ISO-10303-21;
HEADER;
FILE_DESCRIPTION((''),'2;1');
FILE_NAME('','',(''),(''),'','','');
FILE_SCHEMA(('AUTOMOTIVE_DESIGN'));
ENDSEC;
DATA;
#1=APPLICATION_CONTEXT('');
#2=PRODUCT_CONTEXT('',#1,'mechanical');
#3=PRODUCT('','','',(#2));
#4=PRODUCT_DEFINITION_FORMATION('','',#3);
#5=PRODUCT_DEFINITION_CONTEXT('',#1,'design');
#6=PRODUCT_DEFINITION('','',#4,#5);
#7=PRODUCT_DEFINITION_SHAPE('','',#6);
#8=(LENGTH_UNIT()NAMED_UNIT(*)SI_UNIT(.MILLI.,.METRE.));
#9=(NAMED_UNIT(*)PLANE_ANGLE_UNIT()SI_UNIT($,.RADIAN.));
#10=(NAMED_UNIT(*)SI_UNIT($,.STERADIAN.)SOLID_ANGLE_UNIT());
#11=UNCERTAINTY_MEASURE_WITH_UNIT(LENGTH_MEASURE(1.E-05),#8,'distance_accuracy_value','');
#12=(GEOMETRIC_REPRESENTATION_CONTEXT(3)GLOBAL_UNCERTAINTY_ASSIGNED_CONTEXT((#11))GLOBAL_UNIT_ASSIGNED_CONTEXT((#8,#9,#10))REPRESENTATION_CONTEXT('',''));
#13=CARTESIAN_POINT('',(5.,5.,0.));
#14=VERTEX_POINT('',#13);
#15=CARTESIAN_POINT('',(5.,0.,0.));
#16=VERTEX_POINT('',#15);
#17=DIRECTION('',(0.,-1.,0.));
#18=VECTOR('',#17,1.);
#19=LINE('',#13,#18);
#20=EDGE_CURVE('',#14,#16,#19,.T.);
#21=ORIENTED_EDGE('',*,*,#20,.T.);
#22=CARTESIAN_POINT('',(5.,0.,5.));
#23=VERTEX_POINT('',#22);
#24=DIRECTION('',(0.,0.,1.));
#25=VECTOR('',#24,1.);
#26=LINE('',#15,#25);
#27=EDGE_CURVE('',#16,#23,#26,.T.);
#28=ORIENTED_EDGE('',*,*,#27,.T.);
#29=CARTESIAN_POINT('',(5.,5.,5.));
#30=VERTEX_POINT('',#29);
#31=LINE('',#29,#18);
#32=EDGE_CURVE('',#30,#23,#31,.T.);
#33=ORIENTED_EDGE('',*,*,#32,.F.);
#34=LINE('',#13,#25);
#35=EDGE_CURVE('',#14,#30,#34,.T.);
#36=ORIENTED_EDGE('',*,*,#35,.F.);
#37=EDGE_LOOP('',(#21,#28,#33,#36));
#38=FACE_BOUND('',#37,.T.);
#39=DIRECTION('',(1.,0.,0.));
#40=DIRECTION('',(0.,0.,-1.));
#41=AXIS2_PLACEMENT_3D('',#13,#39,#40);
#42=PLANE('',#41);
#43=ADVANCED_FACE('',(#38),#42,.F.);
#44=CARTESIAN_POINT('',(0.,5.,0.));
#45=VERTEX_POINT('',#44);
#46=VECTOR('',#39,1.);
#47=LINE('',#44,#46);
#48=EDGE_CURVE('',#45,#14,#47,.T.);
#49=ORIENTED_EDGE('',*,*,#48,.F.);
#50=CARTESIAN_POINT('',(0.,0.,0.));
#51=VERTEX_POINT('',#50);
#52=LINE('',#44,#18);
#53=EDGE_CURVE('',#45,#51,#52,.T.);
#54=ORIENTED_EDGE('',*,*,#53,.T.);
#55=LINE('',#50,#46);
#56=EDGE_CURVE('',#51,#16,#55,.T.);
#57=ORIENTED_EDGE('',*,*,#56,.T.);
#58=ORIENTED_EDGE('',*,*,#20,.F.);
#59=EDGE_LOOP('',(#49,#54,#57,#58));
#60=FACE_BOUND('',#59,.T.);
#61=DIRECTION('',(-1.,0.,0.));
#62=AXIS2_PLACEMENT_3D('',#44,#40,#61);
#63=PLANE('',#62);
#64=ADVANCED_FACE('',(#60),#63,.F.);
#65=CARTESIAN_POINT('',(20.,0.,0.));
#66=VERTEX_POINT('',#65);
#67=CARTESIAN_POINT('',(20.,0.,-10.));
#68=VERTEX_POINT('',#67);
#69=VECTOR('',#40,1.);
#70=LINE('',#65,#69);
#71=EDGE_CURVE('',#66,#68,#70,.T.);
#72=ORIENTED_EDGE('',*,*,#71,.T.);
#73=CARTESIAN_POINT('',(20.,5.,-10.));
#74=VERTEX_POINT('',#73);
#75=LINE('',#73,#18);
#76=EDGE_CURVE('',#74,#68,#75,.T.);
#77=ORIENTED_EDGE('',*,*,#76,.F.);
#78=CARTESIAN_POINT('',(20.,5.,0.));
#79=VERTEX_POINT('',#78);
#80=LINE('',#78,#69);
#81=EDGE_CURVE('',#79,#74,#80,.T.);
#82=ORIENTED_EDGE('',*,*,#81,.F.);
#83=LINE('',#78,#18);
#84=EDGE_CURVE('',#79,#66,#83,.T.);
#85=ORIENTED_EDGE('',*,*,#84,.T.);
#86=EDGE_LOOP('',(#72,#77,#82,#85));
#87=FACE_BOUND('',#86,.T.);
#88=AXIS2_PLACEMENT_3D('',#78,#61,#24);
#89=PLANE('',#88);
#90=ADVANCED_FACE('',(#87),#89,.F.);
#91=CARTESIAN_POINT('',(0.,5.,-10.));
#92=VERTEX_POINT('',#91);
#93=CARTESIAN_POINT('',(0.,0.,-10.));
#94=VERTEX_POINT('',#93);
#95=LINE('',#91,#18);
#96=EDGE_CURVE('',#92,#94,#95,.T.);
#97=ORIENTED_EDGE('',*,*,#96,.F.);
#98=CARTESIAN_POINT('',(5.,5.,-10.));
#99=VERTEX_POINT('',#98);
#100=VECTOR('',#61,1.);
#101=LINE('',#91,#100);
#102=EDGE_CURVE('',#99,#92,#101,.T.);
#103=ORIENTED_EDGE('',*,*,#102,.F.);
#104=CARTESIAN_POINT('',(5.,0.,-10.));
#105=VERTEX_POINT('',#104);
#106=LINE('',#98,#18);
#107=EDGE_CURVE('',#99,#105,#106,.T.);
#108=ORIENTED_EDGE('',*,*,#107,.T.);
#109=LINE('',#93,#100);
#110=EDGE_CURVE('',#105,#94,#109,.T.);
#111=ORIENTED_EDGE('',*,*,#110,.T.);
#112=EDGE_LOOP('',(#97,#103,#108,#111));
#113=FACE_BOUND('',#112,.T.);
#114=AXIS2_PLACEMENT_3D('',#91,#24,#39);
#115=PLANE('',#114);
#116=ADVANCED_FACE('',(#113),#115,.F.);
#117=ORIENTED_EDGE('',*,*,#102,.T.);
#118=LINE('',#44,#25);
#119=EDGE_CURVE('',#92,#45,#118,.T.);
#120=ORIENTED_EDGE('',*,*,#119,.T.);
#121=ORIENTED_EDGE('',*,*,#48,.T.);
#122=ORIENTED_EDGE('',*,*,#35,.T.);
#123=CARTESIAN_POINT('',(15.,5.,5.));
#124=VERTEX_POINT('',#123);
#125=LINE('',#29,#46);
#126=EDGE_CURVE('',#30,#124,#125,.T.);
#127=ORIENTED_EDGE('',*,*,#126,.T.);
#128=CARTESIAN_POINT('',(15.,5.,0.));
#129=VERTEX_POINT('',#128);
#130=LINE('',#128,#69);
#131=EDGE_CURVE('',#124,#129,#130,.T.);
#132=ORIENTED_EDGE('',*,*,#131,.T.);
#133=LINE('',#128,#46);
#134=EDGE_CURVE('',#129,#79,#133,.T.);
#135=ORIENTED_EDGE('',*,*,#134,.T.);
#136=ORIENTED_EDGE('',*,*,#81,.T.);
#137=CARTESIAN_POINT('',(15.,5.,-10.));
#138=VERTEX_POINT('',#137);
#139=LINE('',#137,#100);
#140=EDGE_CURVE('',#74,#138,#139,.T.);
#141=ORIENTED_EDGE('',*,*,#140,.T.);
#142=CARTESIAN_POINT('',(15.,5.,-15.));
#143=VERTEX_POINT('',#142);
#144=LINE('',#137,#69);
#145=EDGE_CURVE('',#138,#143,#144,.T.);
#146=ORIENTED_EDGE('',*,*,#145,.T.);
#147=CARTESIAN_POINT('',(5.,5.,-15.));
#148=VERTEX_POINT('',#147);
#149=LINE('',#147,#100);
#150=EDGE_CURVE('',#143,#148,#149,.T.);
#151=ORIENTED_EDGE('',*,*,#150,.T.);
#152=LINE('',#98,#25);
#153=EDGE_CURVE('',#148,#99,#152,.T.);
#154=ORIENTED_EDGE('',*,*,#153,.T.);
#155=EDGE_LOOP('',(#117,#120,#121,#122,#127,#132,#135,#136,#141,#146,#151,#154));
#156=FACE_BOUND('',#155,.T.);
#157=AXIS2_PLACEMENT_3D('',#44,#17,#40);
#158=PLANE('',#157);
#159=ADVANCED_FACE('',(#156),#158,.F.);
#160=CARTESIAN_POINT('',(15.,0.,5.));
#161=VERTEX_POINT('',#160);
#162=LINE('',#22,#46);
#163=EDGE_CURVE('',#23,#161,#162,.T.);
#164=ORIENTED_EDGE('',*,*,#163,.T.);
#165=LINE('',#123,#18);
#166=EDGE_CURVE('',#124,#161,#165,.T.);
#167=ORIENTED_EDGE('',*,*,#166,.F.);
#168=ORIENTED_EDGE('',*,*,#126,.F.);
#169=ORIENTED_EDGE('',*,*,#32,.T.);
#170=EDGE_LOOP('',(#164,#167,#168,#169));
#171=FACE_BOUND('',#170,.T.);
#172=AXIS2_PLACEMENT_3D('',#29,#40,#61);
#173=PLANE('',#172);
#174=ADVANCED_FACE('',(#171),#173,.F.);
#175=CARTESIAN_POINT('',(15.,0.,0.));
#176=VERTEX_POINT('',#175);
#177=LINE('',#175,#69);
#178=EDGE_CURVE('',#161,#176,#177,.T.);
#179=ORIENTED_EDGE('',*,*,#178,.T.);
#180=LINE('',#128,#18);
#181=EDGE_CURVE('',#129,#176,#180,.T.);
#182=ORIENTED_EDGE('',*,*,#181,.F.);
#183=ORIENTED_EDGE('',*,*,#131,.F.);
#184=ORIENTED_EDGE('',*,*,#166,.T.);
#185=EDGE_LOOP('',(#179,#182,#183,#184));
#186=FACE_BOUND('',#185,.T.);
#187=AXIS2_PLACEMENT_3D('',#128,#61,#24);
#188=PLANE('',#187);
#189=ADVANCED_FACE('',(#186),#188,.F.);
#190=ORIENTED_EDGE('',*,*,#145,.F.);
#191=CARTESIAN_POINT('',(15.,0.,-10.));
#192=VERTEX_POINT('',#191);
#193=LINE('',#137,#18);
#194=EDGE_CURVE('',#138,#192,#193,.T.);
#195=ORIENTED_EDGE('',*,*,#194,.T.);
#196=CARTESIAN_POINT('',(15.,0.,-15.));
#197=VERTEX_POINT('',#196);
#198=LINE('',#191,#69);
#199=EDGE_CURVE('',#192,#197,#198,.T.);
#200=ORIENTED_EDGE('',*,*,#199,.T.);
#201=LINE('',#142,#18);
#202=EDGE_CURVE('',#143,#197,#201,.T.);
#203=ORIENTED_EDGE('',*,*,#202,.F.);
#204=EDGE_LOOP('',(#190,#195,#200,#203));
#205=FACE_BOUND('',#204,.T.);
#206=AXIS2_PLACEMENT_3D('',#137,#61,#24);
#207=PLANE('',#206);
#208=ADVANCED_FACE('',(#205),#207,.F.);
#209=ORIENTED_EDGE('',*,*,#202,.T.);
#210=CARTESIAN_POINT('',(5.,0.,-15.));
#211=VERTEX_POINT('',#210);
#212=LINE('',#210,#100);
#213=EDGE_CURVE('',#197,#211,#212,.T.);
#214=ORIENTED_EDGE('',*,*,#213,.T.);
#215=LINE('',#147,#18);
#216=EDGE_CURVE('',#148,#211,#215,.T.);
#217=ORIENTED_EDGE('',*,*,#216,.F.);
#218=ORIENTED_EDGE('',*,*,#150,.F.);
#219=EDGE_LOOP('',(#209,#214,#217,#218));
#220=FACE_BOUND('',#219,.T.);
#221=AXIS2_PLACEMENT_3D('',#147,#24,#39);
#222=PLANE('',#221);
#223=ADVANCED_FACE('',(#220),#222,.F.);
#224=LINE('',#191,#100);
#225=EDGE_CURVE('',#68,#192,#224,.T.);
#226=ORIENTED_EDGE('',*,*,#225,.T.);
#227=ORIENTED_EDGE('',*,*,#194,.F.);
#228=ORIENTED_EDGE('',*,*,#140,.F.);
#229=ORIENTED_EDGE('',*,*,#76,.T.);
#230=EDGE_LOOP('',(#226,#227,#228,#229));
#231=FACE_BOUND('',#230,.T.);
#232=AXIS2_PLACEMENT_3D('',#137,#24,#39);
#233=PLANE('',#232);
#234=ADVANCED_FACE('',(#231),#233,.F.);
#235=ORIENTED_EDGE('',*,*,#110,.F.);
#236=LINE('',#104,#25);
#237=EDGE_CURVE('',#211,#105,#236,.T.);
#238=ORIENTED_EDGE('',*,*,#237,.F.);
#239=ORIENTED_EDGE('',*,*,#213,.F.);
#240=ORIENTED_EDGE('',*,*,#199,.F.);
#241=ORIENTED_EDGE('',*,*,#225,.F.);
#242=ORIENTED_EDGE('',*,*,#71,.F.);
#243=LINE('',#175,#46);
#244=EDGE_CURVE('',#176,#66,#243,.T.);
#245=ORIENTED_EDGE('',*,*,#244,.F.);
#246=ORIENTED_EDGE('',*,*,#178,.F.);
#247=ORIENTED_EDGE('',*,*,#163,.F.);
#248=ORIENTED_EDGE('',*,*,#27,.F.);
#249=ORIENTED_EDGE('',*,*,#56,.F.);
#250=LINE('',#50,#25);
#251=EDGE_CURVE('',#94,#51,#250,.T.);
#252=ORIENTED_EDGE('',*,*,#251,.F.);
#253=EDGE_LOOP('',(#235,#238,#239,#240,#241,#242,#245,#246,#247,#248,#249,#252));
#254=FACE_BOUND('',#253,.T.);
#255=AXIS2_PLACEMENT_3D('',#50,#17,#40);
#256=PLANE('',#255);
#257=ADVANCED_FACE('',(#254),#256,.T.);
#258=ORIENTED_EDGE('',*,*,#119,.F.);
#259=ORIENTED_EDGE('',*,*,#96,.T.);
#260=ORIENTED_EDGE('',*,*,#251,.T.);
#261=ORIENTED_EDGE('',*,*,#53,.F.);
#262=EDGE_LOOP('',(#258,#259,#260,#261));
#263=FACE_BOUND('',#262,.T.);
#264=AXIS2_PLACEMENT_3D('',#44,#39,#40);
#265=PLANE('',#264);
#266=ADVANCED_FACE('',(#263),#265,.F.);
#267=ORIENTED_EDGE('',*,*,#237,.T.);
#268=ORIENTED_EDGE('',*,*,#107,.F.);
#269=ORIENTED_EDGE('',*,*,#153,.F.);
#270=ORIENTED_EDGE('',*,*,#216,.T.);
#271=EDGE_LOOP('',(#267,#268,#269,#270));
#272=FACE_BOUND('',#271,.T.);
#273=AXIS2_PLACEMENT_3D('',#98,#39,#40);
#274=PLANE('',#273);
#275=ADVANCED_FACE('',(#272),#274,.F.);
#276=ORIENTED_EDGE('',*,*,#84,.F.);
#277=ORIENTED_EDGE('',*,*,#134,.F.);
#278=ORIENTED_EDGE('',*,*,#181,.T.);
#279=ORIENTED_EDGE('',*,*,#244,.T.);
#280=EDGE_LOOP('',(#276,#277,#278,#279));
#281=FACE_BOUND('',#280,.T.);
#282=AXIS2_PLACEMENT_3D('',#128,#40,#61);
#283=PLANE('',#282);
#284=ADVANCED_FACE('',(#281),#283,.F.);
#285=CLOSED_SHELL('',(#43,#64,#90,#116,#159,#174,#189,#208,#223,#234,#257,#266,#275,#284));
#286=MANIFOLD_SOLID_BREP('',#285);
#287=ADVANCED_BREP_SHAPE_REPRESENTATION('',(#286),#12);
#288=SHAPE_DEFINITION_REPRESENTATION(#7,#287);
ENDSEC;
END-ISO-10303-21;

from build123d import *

# Parameters (mm, degrees)
EXTRUDE_1_DEPTH = 5


with BuildPart() as part:
    # 草图1 → 凸台-拉伸1 (new body)
    with BuildSketch(Plane(origin=(0, 0, 0), x_dir=(1, 0, 0), z_dir=(0, 1, 0))):
        Polygon((15, 10), (20, 10), (20, 0), (15, 0), (15, -5), (5, -5), (5, 0), (0, 0), (0, 10), (5, 10), (5, 15), (15, 15), align=None)
    extrude(amount=EXTRUDE_1_DEPTH)


solid = part.part
